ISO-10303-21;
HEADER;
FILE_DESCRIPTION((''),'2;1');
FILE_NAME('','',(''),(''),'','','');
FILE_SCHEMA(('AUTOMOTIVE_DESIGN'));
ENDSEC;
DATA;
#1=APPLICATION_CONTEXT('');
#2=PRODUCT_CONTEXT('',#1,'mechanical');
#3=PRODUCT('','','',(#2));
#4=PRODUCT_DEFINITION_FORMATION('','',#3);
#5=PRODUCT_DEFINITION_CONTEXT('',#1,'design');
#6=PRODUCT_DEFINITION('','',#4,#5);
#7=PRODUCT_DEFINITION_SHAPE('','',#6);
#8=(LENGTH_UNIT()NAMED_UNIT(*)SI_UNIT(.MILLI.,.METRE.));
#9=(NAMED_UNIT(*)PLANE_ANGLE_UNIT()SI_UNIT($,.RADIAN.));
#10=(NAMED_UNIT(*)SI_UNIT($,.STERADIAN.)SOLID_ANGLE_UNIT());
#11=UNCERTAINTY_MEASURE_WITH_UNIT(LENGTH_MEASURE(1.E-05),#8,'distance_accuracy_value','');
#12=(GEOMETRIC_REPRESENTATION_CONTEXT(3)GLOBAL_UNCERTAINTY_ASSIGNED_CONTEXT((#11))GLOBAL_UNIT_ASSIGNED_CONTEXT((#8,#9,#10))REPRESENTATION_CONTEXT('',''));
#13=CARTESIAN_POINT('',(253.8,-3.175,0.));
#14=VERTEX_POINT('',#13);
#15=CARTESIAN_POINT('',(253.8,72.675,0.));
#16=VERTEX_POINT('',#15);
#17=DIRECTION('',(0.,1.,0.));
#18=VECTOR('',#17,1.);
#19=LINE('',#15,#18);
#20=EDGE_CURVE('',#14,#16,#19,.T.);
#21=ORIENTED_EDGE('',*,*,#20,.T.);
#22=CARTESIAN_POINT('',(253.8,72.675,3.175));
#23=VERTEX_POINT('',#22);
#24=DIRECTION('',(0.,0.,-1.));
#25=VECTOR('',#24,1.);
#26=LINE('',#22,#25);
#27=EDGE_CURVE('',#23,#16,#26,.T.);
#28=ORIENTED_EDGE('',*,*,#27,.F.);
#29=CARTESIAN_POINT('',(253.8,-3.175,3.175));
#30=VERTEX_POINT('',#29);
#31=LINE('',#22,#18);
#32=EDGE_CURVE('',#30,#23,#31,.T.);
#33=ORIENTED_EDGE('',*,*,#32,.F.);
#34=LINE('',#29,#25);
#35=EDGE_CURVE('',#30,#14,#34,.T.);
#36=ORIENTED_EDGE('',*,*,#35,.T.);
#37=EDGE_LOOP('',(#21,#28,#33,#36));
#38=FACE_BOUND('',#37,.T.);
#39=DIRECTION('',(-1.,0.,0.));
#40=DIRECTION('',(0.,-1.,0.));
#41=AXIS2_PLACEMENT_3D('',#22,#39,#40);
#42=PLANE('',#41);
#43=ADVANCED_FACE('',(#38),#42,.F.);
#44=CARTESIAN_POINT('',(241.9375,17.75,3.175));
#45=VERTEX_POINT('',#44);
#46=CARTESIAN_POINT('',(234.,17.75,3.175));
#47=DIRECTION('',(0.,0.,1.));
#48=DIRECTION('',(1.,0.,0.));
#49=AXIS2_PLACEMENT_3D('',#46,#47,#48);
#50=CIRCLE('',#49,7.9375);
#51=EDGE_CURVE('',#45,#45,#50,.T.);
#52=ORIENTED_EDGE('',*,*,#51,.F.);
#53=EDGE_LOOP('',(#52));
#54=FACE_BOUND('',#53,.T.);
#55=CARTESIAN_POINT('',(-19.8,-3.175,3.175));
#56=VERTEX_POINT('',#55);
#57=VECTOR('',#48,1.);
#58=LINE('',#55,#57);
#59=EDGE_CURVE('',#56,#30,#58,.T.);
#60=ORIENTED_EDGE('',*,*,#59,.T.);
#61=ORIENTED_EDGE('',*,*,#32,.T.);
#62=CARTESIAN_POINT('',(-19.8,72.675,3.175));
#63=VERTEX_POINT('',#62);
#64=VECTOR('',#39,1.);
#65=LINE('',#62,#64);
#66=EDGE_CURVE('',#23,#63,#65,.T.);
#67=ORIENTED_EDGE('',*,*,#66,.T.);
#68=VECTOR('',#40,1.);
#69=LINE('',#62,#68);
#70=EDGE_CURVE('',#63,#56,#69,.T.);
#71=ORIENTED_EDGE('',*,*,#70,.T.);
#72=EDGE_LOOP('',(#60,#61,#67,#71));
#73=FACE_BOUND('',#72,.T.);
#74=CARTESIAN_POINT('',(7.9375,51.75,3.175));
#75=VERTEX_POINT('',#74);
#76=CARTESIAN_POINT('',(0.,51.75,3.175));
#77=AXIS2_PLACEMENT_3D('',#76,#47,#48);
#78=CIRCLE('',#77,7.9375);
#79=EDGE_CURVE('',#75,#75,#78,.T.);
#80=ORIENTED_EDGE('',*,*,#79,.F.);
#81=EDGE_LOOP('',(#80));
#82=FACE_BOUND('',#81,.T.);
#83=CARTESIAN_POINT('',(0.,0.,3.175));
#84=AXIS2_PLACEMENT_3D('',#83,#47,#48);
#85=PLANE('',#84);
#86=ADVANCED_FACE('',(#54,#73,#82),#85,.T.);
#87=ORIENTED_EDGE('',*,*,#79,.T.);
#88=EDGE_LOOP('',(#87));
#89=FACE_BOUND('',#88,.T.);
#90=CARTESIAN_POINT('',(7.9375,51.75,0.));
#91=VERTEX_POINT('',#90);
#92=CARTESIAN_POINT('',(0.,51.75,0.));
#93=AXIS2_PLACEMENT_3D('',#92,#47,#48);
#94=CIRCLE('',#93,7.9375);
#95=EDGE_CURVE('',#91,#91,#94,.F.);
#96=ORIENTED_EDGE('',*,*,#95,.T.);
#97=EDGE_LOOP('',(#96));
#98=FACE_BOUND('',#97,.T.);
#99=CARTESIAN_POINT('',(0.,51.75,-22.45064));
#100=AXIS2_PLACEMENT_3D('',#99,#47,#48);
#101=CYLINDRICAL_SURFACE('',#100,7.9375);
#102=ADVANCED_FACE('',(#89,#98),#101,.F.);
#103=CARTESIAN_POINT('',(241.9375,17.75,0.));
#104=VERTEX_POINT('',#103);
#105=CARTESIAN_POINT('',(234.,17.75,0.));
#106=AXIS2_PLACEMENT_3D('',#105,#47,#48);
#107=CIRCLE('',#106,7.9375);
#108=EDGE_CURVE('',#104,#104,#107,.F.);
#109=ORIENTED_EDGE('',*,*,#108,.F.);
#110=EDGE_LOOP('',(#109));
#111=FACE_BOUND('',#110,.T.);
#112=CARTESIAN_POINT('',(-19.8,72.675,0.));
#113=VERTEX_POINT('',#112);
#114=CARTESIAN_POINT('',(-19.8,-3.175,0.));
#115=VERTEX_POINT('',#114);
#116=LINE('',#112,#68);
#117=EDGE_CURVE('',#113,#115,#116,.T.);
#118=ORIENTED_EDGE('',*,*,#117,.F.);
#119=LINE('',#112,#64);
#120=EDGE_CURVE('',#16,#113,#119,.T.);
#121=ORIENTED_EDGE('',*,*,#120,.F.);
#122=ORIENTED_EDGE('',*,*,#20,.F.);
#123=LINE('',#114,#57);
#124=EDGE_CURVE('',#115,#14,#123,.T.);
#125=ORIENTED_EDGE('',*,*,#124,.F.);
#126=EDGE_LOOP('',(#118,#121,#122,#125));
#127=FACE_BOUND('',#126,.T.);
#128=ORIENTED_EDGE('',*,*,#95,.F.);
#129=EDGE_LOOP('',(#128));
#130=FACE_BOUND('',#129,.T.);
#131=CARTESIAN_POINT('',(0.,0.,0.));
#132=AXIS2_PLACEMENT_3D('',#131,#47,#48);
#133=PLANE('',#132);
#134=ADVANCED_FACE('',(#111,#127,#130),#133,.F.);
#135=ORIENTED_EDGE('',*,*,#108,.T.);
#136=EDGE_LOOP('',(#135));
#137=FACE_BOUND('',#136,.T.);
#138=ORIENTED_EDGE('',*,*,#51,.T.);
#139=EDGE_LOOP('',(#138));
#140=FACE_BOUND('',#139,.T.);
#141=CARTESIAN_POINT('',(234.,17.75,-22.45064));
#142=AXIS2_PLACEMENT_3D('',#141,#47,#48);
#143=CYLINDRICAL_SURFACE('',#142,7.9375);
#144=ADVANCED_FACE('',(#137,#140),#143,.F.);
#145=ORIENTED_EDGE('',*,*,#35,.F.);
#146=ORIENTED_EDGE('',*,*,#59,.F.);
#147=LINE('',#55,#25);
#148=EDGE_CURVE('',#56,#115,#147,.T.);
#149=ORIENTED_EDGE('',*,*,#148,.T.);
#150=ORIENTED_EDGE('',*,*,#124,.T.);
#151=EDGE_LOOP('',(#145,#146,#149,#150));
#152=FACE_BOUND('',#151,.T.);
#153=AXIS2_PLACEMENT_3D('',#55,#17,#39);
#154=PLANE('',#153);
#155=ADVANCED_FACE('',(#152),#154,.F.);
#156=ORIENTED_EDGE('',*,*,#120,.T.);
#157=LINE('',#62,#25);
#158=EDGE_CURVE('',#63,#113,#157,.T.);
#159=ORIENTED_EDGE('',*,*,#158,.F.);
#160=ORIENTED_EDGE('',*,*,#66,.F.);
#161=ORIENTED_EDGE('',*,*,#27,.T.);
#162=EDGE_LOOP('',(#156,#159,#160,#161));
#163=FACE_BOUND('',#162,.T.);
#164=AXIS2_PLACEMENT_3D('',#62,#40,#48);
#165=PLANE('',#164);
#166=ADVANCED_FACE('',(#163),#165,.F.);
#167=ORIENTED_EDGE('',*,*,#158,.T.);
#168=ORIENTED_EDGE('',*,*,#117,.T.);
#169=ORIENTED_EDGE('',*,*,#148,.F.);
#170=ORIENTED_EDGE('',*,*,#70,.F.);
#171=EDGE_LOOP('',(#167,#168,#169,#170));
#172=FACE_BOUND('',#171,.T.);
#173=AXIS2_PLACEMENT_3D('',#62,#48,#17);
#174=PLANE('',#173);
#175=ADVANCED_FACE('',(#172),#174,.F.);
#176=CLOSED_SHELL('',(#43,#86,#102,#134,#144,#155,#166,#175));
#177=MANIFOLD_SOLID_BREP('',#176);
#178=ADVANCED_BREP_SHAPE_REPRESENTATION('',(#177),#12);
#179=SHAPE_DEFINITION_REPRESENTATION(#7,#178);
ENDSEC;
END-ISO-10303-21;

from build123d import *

# Parameters (mm, degrees)
SKETCH1_W           = 273.600000032
SKETCH1_H           = 75.85
BOSS_EXTRUDE1_DEPTH = 3.175
SKETCH2_R           = 7.9375
CUT_EXTRUDE1_DEPTH  = 3.175


with BuildPart() as part:
    # Sketch1 → Boss-Extrude1 (new body)
    with BuildSketch(Plane.XY):
        with Locations((117, 34.75)):
            Rectangle(SKETCH1_W, SKETCH1_H)
    extrude(amount=BOSS_EXTRUDE1_DEPTH)

    # Sketch2 → Cut-Extrude1 (cut)
    with BuildSketch(Plane.XY.offset(3.175)):
        with Locations((0, 51.75)):
            Circle(SKETCH2_R)
        with Locations((234, 17.75)):
            Circle(SKETCH2_R)
    extrude(amount=-CUT_EXTRUDE1_DEPTH, mode=Mode.SUBTRACT)


solid = part.part
